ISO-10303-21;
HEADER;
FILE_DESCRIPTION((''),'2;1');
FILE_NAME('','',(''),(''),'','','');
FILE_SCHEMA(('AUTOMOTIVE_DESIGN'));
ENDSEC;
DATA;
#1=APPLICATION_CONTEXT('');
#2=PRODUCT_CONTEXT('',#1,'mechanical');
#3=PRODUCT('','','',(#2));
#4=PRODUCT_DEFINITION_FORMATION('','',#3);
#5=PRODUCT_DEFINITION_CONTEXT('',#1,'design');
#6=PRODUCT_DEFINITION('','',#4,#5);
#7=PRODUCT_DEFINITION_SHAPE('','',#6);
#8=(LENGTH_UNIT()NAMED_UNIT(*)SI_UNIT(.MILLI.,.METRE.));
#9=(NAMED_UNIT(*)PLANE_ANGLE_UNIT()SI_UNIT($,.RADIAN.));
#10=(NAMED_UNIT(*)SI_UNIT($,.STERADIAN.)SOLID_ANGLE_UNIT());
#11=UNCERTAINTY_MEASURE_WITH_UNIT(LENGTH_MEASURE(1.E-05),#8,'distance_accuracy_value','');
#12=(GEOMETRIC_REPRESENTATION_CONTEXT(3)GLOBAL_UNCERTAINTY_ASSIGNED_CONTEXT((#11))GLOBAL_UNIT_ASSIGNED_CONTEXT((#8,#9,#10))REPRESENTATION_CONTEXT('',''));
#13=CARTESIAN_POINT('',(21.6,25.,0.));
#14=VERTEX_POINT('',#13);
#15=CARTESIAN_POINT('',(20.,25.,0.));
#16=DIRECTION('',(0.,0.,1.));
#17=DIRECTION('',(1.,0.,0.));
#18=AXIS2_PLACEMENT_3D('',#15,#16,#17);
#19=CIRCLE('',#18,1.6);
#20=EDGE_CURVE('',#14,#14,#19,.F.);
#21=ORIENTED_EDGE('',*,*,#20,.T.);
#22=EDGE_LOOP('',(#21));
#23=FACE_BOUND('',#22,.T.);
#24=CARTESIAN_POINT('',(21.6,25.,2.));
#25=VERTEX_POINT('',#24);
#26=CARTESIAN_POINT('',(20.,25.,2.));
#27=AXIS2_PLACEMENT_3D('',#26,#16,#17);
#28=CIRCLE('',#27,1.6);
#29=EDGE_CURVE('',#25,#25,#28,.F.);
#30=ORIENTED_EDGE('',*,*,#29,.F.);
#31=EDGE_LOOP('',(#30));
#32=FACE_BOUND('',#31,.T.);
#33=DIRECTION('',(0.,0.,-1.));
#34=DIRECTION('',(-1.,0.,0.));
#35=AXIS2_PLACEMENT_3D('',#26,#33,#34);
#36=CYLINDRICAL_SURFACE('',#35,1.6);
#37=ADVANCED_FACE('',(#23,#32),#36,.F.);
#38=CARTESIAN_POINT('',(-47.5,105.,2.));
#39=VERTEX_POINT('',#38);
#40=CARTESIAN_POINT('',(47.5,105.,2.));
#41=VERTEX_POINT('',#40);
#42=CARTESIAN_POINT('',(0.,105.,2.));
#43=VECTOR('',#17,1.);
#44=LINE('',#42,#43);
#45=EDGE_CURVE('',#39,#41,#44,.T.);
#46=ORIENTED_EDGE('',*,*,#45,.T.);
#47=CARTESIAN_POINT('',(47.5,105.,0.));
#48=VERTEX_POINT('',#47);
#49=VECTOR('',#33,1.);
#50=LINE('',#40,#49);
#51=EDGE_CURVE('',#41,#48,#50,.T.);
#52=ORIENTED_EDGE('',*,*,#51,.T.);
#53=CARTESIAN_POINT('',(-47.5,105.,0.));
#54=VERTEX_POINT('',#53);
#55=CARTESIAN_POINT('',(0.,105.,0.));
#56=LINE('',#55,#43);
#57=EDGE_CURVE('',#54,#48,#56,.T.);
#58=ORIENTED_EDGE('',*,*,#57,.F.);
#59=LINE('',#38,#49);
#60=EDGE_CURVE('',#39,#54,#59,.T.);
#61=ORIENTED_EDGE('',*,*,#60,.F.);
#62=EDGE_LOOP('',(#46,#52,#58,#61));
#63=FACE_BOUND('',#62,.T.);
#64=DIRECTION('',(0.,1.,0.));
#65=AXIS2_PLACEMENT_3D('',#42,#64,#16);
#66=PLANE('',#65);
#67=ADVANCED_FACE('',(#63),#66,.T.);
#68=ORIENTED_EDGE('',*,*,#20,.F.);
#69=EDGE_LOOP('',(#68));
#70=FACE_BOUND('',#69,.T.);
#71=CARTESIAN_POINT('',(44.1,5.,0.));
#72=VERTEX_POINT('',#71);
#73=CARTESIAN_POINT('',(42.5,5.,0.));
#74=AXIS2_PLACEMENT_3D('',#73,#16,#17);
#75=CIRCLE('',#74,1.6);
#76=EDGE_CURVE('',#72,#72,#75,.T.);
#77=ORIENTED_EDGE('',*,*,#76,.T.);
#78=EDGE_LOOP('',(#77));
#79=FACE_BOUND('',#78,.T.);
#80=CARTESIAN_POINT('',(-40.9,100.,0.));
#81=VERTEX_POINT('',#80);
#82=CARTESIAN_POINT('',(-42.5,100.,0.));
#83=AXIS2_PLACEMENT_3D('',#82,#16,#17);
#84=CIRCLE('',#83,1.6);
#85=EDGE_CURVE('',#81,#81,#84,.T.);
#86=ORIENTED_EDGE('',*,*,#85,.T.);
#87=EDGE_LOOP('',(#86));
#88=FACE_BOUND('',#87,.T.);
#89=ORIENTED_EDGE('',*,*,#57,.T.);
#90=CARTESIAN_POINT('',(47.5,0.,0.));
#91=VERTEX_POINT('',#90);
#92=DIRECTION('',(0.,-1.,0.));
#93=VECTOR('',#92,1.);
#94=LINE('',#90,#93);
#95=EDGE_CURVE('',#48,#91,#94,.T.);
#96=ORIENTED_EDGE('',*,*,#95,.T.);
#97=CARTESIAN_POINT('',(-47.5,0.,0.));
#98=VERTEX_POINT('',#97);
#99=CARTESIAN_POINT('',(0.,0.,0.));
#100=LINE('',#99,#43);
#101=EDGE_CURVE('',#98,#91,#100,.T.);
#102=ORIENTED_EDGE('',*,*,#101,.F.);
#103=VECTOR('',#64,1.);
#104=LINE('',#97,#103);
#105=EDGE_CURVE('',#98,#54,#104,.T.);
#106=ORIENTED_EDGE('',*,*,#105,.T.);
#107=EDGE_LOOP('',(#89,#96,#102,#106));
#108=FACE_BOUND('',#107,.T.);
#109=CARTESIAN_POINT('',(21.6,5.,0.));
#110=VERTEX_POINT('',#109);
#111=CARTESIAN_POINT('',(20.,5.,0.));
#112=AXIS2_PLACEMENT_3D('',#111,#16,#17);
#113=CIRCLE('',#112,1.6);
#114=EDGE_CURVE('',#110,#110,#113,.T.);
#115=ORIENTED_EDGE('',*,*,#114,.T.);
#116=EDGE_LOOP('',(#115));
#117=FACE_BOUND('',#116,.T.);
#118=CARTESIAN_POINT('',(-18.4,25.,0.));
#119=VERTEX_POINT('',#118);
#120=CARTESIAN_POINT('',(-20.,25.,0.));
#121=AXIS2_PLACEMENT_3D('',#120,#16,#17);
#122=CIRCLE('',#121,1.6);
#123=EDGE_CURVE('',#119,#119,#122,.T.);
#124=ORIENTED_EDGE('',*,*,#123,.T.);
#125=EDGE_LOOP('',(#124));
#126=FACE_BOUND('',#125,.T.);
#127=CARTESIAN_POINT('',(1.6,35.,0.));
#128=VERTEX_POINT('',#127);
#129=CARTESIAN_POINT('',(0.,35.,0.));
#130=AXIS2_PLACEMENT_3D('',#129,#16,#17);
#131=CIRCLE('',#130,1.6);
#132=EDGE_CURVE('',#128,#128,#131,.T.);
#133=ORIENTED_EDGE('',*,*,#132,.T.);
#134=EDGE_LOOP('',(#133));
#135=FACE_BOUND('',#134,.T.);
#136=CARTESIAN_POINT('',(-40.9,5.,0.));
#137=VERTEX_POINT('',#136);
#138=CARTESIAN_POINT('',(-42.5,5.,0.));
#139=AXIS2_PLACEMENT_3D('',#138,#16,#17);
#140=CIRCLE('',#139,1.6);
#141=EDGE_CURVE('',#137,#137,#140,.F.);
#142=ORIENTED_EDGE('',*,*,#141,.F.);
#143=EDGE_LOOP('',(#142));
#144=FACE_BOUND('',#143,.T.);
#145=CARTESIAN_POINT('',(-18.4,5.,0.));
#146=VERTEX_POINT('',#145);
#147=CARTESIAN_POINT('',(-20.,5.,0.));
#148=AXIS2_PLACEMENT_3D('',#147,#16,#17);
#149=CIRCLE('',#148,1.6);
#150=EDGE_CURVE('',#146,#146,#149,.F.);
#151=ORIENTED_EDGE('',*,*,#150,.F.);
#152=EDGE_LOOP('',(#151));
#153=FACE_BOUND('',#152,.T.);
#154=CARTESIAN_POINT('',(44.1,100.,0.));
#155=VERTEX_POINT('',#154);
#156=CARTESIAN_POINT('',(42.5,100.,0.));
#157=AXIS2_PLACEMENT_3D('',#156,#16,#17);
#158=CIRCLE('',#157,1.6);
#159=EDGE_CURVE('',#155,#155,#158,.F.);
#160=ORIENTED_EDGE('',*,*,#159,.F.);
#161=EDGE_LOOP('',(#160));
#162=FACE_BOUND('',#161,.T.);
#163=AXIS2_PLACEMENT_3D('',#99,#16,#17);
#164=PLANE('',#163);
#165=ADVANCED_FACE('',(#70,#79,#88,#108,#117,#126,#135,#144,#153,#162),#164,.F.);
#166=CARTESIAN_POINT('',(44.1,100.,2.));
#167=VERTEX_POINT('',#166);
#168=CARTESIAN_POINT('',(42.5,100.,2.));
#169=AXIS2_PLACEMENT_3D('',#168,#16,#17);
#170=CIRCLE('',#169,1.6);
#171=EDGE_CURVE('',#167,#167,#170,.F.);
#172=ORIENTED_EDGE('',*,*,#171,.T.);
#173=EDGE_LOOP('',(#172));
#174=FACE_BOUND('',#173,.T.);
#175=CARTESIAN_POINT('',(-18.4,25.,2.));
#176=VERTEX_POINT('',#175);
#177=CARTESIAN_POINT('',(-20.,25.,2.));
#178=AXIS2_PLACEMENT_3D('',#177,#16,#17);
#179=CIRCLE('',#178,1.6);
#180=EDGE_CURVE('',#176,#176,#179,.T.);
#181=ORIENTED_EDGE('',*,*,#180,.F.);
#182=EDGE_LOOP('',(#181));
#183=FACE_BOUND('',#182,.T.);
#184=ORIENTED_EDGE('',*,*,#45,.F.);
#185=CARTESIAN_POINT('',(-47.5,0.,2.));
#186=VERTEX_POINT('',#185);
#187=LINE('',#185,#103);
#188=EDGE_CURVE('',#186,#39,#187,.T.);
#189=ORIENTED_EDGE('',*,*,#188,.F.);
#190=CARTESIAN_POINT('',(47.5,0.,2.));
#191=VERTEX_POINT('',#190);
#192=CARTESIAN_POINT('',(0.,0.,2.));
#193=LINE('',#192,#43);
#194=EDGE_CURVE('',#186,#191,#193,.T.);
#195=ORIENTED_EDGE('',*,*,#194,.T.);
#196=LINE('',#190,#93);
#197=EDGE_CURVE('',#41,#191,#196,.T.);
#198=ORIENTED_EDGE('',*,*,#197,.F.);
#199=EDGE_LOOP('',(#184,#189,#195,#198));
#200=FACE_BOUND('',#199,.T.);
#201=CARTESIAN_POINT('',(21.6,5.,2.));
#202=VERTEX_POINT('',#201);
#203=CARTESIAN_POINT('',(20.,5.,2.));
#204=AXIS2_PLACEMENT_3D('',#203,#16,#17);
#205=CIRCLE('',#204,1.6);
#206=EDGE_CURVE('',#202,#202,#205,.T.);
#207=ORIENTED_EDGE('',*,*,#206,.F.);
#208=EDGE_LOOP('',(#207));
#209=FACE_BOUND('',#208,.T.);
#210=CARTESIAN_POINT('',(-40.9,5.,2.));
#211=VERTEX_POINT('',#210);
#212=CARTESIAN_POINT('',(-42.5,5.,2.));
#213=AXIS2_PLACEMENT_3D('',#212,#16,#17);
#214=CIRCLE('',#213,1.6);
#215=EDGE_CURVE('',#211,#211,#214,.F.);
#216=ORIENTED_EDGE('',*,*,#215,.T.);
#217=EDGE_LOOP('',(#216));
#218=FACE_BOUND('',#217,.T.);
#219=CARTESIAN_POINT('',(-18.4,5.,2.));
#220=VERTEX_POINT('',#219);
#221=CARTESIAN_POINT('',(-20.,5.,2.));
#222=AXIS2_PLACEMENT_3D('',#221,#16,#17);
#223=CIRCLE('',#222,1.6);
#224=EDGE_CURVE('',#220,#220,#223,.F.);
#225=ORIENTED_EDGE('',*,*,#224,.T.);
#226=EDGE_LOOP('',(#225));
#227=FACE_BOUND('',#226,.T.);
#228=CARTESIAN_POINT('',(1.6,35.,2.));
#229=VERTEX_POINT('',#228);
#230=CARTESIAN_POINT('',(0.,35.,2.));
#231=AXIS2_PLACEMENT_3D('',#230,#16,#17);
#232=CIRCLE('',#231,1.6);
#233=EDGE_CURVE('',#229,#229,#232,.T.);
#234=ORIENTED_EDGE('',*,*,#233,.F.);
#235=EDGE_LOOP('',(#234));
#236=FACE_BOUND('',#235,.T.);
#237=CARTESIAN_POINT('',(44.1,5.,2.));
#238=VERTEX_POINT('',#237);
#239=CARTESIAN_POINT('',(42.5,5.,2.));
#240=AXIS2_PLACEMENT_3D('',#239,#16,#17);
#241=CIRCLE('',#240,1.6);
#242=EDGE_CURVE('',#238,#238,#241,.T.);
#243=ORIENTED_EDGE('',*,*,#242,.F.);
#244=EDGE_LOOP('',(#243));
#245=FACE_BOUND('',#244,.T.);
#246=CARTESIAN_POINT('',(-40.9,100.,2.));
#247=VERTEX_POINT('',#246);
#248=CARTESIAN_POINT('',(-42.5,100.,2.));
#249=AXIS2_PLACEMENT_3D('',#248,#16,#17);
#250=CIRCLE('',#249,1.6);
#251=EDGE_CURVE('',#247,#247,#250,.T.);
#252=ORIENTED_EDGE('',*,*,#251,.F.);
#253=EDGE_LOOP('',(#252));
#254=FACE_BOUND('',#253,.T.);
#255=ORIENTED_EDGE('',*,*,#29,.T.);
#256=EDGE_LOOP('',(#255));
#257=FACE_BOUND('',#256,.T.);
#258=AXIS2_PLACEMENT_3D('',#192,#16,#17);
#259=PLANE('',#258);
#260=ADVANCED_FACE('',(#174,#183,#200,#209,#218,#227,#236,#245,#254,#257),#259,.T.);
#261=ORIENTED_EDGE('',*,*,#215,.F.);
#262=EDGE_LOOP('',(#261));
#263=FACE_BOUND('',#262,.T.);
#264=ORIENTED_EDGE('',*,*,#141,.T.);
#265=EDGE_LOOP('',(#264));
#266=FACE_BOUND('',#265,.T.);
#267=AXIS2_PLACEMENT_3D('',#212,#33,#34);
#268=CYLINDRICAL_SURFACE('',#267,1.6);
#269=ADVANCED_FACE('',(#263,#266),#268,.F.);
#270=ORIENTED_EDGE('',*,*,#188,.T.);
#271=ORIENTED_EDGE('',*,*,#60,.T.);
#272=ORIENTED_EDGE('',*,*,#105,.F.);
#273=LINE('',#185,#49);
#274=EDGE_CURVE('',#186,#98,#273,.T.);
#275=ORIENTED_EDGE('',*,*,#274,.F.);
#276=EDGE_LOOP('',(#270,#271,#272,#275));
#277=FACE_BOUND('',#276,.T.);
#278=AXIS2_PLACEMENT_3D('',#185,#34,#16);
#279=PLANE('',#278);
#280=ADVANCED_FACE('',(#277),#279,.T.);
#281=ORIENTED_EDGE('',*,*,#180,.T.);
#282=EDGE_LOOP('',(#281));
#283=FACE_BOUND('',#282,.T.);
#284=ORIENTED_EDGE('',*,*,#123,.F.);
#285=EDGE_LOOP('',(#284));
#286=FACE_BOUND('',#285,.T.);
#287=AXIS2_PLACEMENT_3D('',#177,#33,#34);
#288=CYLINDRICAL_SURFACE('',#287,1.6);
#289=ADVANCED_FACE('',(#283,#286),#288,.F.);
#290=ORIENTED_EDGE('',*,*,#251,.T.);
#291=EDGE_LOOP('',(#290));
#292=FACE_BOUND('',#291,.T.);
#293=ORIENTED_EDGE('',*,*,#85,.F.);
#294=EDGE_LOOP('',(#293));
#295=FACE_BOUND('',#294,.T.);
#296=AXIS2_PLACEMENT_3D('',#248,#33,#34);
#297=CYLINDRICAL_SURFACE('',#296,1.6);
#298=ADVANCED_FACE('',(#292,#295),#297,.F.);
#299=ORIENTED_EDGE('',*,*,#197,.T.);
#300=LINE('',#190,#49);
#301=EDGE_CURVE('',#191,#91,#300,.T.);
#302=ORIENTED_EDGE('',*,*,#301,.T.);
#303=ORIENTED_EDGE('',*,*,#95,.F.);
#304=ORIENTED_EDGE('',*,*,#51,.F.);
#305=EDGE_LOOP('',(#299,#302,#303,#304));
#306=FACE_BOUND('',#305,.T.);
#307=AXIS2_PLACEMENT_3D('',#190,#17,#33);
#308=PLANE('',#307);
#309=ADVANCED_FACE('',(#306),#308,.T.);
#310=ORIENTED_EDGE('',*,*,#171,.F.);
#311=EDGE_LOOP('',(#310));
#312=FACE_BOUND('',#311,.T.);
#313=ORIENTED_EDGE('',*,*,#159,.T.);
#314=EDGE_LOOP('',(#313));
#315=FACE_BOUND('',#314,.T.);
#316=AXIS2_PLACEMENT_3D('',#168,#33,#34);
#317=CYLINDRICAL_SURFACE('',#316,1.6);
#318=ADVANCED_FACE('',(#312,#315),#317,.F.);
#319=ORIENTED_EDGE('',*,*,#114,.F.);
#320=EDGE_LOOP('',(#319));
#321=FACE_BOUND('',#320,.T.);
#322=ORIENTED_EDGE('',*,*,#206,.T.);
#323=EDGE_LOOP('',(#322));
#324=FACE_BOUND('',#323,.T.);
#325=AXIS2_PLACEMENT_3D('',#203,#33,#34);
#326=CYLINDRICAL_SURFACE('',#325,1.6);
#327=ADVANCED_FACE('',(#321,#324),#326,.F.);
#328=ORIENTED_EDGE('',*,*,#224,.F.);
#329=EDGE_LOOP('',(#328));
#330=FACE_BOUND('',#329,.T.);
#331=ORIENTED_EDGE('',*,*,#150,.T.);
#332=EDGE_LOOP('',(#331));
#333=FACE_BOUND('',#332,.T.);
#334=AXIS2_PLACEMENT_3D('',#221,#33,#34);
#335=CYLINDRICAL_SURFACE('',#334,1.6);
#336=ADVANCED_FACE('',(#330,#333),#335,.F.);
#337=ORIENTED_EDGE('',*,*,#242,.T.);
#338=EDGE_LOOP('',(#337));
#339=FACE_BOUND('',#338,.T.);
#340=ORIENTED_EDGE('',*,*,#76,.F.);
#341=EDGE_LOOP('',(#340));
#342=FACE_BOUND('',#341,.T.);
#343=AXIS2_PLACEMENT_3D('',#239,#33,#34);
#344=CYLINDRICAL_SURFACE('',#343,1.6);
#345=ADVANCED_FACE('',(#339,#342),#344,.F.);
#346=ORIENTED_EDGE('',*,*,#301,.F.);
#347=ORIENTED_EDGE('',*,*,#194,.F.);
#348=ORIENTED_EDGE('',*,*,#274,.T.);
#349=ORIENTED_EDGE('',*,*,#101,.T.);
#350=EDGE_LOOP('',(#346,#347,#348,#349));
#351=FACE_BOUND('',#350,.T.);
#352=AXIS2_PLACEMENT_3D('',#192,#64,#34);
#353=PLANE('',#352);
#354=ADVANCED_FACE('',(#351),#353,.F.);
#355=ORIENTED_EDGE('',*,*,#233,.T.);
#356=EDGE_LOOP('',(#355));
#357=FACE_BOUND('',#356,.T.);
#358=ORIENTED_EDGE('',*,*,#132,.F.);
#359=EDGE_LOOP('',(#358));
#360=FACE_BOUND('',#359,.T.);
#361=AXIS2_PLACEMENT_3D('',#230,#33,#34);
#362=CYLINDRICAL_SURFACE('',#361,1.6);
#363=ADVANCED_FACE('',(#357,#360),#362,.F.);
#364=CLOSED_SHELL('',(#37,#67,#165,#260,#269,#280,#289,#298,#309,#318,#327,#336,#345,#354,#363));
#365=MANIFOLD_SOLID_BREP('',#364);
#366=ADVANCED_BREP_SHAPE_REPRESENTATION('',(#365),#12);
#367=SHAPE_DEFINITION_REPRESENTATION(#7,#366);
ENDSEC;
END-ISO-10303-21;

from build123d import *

# Parameters (mm, degrees)
SKETCH_1_R      = 1.6
SKETCH_1_W      = 50
SKETCH_1_H      = 30
EXTRUDE_3_DEPTH = 2


with BuildPart() as part:
    # 草圖1 → 填料-伸長3 (new body)
    # profile 1 of 2: a face of its own
    with BuildSketch(Plane.XY):
        Polygon((-47.5, 105), (-47.5, 0), (-25, 0), (-25, 30), (25, 30), (25, 0), (47.5, 0), (47.5, 105), align=None)
        with Locations((-42.5, 5)):
            Circle(SKETCH_1_R, mode=Mode.SUBTRACT)
        with Locations((42.5, 5)):
            Circle(SKETCH_1_R, mode=Mode.SUBTRACT)
        with Locations((0, 35)):
            Circle(SKETCH_1_R, mode=Mode.SUBTRACT)
        with Locations((-42.5, 100)):
            Circle(SKETCH_1_R, mode=Mode.SUBTRACT)
        with Locations((42.5, 100)):
            Circle(SKETCH_1_R, mode=Mode.SUBTRACT)
    # profile 2 of 2: a face of its own
    with BuildSketch(Plane.XY):
        with Locations((0, 15)):
            Rectangle(SKETCH_1_W, SKETCH_1_H)
        with Locations((-20, 5)):
            Circle(SKETCH_1_R, mode=Mode.SUBTRACT)
        with Locations((-20, 25)):
            Circle(SKETCH_1_R, mode=Mode.SUBTRACT)
        with Locations((20, 5)):
            Circle(SKETCH_1_R, mode=Mode.SUBTRACT)
        with Locations((20, 25)):
            Circle(SKETCH_1_R, mode=Mode.SUBTRACT)
    extrude(amount=EXTRUDE_3_DEPTH)


solid = part.part
